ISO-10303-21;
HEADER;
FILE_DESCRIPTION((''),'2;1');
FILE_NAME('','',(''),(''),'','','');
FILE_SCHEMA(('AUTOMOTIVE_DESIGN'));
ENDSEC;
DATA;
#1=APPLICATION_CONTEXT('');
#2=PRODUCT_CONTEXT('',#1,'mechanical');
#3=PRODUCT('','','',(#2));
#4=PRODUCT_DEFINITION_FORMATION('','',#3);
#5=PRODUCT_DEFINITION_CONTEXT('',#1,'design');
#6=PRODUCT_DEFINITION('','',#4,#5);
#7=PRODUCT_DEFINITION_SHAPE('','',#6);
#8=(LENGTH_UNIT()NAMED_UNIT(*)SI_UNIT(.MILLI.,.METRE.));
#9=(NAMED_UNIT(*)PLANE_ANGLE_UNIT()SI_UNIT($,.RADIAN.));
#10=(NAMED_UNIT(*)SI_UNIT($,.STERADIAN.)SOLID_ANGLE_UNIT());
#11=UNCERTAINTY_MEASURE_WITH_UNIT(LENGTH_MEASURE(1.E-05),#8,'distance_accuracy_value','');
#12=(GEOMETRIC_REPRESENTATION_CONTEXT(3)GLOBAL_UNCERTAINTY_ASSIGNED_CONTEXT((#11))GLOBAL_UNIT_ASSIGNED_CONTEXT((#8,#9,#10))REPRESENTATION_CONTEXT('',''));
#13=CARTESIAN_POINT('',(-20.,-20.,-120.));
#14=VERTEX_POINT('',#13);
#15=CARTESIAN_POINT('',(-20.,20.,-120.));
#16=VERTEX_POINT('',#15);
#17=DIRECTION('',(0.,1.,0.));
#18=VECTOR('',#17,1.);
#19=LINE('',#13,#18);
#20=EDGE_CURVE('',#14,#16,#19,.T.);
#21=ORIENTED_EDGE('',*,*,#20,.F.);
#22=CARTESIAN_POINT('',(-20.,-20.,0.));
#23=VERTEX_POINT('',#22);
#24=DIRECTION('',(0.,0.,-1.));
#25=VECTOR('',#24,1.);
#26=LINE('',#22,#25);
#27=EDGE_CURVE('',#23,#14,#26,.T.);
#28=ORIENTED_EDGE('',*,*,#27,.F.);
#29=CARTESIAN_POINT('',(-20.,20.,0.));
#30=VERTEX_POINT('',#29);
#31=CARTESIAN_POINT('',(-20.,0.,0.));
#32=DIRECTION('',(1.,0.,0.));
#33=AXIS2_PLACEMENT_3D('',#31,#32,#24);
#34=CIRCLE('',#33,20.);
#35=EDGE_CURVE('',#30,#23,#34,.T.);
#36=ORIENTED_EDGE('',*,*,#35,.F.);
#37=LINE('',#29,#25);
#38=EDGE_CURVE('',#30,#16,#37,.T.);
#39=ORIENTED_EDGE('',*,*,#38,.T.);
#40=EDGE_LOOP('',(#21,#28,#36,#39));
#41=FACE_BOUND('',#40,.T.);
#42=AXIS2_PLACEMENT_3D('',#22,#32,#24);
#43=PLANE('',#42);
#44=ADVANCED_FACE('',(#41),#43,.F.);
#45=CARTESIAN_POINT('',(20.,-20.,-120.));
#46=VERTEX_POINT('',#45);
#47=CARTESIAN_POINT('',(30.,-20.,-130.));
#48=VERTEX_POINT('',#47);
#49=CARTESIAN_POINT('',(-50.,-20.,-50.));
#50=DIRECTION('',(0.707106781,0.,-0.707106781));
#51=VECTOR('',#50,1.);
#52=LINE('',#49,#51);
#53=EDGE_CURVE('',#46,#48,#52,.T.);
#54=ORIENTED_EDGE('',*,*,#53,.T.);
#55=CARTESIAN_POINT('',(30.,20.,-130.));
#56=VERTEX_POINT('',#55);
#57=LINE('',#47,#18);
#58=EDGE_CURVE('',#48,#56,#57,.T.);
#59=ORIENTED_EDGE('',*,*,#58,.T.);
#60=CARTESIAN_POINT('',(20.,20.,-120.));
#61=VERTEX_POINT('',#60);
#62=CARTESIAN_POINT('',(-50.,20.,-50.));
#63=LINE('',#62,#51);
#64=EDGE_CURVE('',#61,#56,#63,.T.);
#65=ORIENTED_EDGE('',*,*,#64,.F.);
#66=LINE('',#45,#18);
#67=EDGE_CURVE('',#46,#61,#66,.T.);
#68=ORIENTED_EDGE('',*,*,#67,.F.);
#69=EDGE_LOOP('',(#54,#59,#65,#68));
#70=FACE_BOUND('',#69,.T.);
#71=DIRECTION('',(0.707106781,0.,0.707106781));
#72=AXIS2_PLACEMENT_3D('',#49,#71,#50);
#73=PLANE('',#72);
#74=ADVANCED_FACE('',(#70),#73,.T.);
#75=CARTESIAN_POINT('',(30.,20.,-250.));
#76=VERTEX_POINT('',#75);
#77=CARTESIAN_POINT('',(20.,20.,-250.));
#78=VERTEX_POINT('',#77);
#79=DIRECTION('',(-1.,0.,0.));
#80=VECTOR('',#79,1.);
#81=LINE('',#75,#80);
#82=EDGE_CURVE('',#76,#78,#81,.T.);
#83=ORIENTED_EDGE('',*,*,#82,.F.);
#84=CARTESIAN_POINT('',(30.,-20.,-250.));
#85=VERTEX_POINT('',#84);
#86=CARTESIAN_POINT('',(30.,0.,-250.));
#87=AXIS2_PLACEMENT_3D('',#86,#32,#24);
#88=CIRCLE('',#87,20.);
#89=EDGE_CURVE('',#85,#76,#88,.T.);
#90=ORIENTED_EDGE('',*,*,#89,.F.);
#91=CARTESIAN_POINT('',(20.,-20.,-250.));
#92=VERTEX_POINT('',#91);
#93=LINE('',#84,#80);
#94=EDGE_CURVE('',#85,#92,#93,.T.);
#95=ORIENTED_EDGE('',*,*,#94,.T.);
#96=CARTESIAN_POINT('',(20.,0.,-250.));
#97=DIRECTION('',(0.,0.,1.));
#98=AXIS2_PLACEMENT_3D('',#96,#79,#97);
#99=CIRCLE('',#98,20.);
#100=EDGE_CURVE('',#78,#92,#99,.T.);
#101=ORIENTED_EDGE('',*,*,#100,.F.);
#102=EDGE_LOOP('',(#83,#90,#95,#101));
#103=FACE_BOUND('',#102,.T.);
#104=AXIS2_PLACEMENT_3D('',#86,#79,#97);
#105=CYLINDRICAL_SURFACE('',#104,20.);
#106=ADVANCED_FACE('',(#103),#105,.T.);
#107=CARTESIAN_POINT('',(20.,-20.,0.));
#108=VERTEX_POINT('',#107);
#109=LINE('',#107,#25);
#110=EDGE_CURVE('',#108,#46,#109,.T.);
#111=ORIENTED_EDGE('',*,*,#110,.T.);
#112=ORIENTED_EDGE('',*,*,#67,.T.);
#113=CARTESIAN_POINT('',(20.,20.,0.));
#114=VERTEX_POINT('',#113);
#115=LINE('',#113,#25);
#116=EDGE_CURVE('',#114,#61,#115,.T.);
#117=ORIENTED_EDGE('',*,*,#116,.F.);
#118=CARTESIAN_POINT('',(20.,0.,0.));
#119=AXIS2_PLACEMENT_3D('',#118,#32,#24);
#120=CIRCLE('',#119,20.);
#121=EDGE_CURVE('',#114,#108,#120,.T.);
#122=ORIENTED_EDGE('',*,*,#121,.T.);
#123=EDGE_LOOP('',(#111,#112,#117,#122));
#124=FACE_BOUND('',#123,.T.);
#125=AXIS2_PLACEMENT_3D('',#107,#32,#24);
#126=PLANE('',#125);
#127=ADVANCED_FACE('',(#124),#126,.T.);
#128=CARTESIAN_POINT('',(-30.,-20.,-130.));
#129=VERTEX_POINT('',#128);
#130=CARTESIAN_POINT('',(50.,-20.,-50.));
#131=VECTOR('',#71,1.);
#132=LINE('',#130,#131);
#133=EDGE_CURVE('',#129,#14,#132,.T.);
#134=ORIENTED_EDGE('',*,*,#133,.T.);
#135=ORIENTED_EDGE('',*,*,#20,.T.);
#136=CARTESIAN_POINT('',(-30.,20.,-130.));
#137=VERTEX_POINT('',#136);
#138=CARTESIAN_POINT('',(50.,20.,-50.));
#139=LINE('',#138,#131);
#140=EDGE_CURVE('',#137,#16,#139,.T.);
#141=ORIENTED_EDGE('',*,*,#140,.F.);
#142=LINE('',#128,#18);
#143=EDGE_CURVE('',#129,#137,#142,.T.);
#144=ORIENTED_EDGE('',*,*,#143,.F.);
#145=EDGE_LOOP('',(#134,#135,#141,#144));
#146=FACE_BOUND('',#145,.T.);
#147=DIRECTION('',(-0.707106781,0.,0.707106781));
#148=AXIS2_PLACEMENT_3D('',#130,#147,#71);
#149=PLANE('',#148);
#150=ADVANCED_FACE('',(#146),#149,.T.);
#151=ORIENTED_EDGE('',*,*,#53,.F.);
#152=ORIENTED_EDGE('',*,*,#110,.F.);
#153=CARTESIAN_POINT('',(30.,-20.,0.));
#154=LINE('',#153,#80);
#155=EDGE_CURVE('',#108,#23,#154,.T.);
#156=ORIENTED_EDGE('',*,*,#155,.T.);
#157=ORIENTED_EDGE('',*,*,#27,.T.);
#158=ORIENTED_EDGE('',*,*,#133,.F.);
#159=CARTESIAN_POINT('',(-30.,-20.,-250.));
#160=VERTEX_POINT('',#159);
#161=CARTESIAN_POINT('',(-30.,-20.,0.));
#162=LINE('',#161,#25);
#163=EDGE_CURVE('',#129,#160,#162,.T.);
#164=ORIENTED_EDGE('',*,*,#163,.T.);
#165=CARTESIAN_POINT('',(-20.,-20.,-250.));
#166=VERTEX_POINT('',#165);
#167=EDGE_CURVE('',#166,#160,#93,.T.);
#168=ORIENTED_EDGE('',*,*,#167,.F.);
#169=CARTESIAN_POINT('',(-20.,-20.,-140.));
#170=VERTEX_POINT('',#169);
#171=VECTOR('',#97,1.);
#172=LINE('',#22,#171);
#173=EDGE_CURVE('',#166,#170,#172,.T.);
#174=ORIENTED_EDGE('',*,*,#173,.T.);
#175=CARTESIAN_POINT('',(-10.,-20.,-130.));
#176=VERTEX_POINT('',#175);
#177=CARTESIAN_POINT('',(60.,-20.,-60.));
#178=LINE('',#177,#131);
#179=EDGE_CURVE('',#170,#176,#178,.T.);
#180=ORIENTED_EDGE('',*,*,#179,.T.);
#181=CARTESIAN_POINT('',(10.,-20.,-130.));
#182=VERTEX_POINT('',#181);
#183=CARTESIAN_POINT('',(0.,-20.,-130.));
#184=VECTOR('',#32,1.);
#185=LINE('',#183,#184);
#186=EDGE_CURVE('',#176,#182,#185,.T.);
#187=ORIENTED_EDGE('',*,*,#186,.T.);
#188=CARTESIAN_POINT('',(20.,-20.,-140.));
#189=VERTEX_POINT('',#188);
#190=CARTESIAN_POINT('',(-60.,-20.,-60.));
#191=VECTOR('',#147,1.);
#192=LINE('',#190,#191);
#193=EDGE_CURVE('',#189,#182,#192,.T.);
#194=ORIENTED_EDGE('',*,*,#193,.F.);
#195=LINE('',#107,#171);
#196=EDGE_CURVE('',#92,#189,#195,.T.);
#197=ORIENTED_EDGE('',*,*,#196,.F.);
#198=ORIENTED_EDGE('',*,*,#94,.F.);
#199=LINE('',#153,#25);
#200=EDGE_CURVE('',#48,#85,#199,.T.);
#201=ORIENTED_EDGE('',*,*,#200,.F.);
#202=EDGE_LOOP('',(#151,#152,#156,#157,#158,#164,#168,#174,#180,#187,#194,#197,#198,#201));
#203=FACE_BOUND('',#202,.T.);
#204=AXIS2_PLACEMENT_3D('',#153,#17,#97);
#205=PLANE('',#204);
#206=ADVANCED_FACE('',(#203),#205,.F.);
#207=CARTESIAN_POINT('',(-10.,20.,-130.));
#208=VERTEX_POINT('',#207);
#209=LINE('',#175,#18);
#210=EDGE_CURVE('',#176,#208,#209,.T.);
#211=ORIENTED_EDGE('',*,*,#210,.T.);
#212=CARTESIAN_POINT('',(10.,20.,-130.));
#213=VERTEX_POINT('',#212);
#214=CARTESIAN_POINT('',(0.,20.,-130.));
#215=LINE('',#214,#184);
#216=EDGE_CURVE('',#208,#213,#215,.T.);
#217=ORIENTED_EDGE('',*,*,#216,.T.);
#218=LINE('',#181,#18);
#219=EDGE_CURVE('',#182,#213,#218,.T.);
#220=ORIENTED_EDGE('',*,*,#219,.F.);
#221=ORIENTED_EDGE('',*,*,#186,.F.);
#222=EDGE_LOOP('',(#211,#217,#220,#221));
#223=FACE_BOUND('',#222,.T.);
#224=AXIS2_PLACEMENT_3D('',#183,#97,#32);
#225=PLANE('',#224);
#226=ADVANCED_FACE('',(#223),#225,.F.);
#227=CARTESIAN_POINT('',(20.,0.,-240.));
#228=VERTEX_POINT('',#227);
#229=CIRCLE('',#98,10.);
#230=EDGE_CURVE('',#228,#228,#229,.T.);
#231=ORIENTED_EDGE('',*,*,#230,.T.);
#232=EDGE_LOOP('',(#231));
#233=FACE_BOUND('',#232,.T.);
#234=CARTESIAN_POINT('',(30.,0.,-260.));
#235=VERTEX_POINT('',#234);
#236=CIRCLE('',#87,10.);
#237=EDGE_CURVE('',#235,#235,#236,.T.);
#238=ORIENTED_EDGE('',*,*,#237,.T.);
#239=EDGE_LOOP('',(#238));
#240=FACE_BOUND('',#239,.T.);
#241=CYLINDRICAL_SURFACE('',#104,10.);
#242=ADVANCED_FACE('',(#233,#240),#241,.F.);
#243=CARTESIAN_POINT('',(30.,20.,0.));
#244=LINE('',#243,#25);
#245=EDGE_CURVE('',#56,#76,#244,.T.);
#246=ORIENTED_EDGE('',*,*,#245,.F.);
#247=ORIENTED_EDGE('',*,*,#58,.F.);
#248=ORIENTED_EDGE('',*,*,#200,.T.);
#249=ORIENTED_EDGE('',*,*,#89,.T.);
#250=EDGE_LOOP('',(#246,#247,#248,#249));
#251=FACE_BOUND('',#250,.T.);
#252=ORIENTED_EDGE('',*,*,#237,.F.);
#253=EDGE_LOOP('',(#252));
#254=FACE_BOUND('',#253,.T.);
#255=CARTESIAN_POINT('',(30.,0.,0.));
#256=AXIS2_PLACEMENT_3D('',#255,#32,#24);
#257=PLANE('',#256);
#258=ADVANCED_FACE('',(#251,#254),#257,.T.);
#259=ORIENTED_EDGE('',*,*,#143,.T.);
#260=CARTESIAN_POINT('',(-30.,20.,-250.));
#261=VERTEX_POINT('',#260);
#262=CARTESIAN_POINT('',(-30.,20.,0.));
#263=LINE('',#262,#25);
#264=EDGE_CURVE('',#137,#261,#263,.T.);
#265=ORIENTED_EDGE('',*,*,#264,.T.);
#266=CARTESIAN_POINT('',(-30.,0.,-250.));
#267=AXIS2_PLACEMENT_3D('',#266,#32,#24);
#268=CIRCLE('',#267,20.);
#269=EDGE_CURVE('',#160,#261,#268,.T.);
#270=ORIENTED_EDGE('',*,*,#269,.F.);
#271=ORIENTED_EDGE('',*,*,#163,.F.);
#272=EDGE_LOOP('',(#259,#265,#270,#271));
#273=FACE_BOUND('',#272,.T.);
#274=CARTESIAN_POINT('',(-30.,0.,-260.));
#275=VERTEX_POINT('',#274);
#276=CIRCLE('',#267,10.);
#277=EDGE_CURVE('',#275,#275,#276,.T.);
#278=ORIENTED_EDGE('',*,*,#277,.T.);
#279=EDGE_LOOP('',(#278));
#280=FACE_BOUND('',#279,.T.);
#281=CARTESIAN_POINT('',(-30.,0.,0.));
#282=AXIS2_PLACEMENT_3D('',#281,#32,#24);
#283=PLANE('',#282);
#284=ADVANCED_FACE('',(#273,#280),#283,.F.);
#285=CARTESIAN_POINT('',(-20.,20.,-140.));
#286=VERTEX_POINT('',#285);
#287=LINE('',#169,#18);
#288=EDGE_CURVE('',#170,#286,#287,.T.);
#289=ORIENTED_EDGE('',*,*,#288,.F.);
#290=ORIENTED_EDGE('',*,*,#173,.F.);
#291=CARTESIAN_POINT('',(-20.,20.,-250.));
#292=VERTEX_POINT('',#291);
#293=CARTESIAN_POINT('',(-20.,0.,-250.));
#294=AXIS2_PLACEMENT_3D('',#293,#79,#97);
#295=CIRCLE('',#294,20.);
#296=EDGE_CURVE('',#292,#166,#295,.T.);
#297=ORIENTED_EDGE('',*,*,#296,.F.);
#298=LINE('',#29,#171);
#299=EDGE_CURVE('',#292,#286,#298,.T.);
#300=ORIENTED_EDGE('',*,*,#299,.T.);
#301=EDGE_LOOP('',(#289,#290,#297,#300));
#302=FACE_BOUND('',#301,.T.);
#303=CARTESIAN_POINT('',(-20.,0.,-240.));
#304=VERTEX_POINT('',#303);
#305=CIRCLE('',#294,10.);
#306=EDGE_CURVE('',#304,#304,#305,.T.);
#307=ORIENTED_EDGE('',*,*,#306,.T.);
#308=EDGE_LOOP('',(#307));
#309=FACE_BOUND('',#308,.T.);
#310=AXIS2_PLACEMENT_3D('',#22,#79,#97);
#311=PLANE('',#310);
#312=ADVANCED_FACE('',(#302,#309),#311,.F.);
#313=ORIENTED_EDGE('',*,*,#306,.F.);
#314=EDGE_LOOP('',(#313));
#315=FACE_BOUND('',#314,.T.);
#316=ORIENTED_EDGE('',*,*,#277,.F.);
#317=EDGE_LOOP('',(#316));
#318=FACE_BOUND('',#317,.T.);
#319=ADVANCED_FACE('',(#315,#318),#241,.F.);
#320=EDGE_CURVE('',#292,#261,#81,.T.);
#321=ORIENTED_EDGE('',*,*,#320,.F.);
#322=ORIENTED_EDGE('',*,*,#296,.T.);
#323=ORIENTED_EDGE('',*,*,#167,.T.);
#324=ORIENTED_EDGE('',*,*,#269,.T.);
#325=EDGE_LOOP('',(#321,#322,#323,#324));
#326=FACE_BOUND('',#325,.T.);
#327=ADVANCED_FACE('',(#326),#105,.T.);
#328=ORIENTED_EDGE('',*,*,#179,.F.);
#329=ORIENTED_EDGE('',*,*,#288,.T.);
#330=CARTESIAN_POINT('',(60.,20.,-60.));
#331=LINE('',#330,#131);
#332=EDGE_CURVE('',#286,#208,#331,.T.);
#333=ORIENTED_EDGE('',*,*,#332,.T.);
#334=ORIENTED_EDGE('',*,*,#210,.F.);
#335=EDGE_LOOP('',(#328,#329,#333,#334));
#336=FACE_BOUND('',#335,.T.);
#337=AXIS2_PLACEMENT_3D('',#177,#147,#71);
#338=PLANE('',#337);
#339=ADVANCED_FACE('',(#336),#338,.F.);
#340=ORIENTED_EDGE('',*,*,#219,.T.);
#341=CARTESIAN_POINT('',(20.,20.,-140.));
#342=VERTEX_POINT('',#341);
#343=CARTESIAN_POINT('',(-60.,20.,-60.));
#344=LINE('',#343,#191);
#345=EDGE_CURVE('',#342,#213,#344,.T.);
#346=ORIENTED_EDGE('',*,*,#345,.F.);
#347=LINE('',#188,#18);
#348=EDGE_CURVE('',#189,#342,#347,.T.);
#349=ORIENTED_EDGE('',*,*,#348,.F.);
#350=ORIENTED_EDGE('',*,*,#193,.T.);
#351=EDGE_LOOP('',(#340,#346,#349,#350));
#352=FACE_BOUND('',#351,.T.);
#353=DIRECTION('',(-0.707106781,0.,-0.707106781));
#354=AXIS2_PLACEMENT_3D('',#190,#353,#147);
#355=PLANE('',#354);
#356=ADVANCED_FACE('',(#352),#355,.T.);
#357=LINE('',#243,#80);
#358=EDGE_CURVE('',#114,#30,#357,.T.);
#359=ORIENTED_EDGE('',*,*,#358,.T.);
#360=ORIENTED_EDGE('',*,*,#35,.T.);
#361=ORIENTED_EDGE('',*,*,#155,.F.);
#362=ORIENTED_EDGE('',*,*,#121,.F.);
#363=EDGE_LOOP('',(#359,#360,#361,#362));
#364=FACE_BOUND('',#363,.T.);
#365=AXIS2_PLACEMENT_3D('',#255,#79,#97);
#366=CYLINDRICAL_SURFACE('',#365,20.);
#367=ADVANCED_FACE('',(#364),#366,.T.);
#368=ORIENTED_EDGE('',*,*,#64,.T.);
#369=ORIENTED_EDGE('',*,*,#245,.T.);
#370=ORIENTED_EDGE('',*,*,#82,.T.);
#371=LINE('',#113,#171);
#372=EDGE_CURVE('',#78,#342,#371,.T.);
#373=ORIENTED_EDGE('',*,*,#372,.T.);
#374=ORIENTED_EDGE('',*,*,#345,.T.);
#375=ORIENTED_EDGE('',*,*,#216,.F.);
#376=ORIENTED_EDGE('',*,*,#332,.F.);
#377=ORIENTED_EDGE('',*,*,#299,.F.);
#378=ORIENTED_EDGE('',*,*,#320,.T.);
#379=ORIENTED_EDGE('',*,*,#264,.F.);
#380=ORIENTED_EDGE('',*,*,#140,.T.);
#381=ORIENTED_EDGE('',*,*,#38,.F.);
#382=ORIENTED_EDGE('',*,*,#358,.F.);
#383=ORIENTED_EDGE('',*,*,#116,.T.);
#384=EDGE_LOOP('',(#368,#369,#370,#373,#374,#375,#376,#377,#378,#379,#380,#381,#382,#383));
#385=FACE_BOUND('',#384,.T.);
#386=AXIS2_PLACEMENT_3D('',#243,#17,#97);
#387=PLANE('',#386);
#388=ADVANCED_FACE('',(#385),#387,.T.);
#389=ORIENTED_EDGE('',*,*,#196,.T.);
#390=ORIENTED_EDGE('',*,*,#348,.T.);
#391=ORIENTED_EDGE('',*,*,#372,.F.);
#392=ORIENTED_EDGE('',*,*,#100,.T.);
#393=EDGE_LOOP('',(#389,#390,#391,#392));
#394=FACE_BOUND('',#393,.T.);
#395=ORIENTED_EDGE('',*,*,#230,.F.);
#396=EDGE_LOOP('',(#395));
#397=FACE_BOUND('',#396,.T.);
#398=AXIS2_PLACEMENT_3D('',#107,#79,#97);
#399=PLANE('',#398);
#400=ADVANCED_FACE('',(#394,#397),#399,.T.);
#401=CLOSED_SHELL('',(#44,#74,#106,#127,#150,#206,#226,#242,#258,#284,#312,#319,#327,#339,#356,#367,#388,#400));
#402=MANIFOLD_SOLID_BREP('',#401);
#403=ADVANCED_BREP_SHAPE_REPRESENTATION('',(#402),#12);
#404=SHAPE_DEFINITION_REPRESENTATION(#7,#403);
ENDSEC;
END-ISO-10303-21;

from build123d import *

# Parameters (mm, degrees)
BOSS_EXTRUDE1_DEPTH = 30
SKETCH2_W           = 40
SKETCH2_H           = 20
SKETCH2_W_2         = 10
CUT_EXTRUDE1_DEPTH  = 275.590604355


with BuildPart() as part:
    # Sketch1 → Boss-Extrude1 (new, symmetric)
    with BuildSketch(Plane(origin=(0, 0, 0), x_dir=(0, 0, -1), z_dir=(1, 0, 0))):
        with BuildLine():
            ThreePointArc((20, 0), (14.142135624, 14.142135624), (0, 20))
            Line((0, 20), (0, 10))
            ThreePointArc((0, 10), (7.071067812, 7.071067812), (10, 0))
            ThreePointArc((10, 0), (7.071067812, -7.071067812), (0, -10))
            Line((0, -10), (0, -20))
            ThreePointArc((0, -20), (14.142135624, -14.142135624), (20, 0))
        make_face()
        with BuildLine():
            Line((0, 10), (0, 20))
            ThreePointArc((0, 20), (-20, 0), (0, -20))
            Line((0, -20), (0, -10))
            ThreePointArc((0, -10), (-10, 0), (0, 10))
        make_face()
        with BuildLine():
            ThreePointArc((20, 0), (14.142135624, 14.142135624), (0, 20))
            Line((0, 20), (0, 10))
            ThreePointArc((0, 10), (7.071067812, 7.071067812), (10, 0))
            ThreePointArc((10, 0), (7.071067812, -7.071067812), (0, -10))
            Line((0, -10), (0, -20))
            ThreePointArc((0, -20), (14.142135624, -14.142135624), (20, 0))
        make_face()
        with BuildLine():
            Line((0, 10), (0, 20))
            ThreePointArc((0, 20), (-20, 0), (0, -20))
            Line((0, -20), (0, -10))
            ThreePointArc((0, -10), (-10, 0), (0, 10))
        make_face()
        with BuildLine():
            Line((250, 20), (0, 20))
            ThreePointArc((0, 20), (14.142135624, 14.142135624), (20, 0))
            ThreePointArc((20, 0), (14.142135624, -14.142135624), (0, -20))
            Line((0, -20), (250, -20))
            ThreePointArc((250, -20), (230, 0), (250, 20))
        make_face()
        with BuildLine():
            ThreePointArc((270, 0), (264.142135624, 14.142135624), (250, 20))
            Line((250, 20), (250, 10))
            ThreePointArc((250, 10), (257.071067812, 7.071067812), (260, 0))
            ThreePointArc((260, 0), (257.071067812, -7.071067812), (250, -10))
            Line((250, -10), (250, -20))
            ThreePointArc((250, -20), (264.142135624, -14.142135624), (270, 0))
        make_face()
        with BuildLine():
            Line((250, 10), (250, 20))
            ThreePointArc((250, 20), (230, 0), (250, -20))
            Line((250, -20), (250, -10))
            ThreePointArc((250, -10), (240, 0), (250, 10))
        make_face()
        with BuildLine():
            ThreePointArc((270, 0), (264.142135624, 14.142135624), (250, 20))
            Line((250, 20), (250, 10))
            ThreePointArc((250, 10), (257.071067812, 7.071067812), (260, 0))
            ThreePointArc((260, 0), (257.071067812, -7.071067812), (250, -10))
            Line((250, -10), (250, -20))
            ThreePointArc((250, -20), (264.142135624, -14.142135624), (270, 0))
        make_face()
        with BuildLine():
            Line((250, 10), (250, 20))
            ThreePointArc((250, 20), (230, 0), (250, -20))
            Line((250, -20), (250, -10))
            ThreePointArc((250, -10), (240, 0), (250, 10))
        make_face()
        with BuildLine():
            ThreePointArc((10, 0), (7.071067812, 7.071067812), (0, 10))
            Line((0, 10), (0, -10))
            ThreePointArc((0, -10), (7.071067812, -7.071067812), (10, 0))
        make_face()
        with BuildLine():
            Line((0, -10), (0, 10))
            ThreePointArc((0, 10), (-10, 0), (0, -10))
        make_face()
        with BuildLine():
            ThreePointArc((10, 0), (7.071067812, 7.071067812), (0, 10))
            Line((0, 10), (0, -10))
            ThreePointArc((0, -10), (7.071067812, -7.071067812), (10, 0))
        make_face()
        with BuildLine():
            Line((0, -10), (0, 10))
            ThreePointArc((0, 10), (-10, 0), (0, -10))
        make_face()
    extrude(amount=BOSS_EXTRUDE1_DEPTH, both=True)

    # Sketch2 → Cut-Extrude1 (cut, through all)
    with BuildSketch(Plane(origin=(0, 20, 0), x_dir=(1, 0, 0), z_dir=(0, 1, 0))):
        with Locations((0, 260)):
            Rectangle(SKETCH2_W, SKETCH2_H)
        Polygon((20, 250), (-20, 250), (-20, 140), (-10, 130), (10, 130), (20, 140), align=None)
        Polygon((-20, 120), (-30, 130), (-30, 0), (-20, 0), align=None)
        Polygon((30, 130), (20, 120), (20, 0), (30, 0), align=None)
        with Locations((-25, -10)):
            Rectangle(SKETCH2_W_2, SKETCH2_H)
        with Locations((25, -10)):
            Rectangle(SKETCH2_W_2, SKETCH2_H)
    extrude(amount=-CUT_EXTRUDE1_DEPTH, mode=Mode.SUBTRACT)


solid = part.part
